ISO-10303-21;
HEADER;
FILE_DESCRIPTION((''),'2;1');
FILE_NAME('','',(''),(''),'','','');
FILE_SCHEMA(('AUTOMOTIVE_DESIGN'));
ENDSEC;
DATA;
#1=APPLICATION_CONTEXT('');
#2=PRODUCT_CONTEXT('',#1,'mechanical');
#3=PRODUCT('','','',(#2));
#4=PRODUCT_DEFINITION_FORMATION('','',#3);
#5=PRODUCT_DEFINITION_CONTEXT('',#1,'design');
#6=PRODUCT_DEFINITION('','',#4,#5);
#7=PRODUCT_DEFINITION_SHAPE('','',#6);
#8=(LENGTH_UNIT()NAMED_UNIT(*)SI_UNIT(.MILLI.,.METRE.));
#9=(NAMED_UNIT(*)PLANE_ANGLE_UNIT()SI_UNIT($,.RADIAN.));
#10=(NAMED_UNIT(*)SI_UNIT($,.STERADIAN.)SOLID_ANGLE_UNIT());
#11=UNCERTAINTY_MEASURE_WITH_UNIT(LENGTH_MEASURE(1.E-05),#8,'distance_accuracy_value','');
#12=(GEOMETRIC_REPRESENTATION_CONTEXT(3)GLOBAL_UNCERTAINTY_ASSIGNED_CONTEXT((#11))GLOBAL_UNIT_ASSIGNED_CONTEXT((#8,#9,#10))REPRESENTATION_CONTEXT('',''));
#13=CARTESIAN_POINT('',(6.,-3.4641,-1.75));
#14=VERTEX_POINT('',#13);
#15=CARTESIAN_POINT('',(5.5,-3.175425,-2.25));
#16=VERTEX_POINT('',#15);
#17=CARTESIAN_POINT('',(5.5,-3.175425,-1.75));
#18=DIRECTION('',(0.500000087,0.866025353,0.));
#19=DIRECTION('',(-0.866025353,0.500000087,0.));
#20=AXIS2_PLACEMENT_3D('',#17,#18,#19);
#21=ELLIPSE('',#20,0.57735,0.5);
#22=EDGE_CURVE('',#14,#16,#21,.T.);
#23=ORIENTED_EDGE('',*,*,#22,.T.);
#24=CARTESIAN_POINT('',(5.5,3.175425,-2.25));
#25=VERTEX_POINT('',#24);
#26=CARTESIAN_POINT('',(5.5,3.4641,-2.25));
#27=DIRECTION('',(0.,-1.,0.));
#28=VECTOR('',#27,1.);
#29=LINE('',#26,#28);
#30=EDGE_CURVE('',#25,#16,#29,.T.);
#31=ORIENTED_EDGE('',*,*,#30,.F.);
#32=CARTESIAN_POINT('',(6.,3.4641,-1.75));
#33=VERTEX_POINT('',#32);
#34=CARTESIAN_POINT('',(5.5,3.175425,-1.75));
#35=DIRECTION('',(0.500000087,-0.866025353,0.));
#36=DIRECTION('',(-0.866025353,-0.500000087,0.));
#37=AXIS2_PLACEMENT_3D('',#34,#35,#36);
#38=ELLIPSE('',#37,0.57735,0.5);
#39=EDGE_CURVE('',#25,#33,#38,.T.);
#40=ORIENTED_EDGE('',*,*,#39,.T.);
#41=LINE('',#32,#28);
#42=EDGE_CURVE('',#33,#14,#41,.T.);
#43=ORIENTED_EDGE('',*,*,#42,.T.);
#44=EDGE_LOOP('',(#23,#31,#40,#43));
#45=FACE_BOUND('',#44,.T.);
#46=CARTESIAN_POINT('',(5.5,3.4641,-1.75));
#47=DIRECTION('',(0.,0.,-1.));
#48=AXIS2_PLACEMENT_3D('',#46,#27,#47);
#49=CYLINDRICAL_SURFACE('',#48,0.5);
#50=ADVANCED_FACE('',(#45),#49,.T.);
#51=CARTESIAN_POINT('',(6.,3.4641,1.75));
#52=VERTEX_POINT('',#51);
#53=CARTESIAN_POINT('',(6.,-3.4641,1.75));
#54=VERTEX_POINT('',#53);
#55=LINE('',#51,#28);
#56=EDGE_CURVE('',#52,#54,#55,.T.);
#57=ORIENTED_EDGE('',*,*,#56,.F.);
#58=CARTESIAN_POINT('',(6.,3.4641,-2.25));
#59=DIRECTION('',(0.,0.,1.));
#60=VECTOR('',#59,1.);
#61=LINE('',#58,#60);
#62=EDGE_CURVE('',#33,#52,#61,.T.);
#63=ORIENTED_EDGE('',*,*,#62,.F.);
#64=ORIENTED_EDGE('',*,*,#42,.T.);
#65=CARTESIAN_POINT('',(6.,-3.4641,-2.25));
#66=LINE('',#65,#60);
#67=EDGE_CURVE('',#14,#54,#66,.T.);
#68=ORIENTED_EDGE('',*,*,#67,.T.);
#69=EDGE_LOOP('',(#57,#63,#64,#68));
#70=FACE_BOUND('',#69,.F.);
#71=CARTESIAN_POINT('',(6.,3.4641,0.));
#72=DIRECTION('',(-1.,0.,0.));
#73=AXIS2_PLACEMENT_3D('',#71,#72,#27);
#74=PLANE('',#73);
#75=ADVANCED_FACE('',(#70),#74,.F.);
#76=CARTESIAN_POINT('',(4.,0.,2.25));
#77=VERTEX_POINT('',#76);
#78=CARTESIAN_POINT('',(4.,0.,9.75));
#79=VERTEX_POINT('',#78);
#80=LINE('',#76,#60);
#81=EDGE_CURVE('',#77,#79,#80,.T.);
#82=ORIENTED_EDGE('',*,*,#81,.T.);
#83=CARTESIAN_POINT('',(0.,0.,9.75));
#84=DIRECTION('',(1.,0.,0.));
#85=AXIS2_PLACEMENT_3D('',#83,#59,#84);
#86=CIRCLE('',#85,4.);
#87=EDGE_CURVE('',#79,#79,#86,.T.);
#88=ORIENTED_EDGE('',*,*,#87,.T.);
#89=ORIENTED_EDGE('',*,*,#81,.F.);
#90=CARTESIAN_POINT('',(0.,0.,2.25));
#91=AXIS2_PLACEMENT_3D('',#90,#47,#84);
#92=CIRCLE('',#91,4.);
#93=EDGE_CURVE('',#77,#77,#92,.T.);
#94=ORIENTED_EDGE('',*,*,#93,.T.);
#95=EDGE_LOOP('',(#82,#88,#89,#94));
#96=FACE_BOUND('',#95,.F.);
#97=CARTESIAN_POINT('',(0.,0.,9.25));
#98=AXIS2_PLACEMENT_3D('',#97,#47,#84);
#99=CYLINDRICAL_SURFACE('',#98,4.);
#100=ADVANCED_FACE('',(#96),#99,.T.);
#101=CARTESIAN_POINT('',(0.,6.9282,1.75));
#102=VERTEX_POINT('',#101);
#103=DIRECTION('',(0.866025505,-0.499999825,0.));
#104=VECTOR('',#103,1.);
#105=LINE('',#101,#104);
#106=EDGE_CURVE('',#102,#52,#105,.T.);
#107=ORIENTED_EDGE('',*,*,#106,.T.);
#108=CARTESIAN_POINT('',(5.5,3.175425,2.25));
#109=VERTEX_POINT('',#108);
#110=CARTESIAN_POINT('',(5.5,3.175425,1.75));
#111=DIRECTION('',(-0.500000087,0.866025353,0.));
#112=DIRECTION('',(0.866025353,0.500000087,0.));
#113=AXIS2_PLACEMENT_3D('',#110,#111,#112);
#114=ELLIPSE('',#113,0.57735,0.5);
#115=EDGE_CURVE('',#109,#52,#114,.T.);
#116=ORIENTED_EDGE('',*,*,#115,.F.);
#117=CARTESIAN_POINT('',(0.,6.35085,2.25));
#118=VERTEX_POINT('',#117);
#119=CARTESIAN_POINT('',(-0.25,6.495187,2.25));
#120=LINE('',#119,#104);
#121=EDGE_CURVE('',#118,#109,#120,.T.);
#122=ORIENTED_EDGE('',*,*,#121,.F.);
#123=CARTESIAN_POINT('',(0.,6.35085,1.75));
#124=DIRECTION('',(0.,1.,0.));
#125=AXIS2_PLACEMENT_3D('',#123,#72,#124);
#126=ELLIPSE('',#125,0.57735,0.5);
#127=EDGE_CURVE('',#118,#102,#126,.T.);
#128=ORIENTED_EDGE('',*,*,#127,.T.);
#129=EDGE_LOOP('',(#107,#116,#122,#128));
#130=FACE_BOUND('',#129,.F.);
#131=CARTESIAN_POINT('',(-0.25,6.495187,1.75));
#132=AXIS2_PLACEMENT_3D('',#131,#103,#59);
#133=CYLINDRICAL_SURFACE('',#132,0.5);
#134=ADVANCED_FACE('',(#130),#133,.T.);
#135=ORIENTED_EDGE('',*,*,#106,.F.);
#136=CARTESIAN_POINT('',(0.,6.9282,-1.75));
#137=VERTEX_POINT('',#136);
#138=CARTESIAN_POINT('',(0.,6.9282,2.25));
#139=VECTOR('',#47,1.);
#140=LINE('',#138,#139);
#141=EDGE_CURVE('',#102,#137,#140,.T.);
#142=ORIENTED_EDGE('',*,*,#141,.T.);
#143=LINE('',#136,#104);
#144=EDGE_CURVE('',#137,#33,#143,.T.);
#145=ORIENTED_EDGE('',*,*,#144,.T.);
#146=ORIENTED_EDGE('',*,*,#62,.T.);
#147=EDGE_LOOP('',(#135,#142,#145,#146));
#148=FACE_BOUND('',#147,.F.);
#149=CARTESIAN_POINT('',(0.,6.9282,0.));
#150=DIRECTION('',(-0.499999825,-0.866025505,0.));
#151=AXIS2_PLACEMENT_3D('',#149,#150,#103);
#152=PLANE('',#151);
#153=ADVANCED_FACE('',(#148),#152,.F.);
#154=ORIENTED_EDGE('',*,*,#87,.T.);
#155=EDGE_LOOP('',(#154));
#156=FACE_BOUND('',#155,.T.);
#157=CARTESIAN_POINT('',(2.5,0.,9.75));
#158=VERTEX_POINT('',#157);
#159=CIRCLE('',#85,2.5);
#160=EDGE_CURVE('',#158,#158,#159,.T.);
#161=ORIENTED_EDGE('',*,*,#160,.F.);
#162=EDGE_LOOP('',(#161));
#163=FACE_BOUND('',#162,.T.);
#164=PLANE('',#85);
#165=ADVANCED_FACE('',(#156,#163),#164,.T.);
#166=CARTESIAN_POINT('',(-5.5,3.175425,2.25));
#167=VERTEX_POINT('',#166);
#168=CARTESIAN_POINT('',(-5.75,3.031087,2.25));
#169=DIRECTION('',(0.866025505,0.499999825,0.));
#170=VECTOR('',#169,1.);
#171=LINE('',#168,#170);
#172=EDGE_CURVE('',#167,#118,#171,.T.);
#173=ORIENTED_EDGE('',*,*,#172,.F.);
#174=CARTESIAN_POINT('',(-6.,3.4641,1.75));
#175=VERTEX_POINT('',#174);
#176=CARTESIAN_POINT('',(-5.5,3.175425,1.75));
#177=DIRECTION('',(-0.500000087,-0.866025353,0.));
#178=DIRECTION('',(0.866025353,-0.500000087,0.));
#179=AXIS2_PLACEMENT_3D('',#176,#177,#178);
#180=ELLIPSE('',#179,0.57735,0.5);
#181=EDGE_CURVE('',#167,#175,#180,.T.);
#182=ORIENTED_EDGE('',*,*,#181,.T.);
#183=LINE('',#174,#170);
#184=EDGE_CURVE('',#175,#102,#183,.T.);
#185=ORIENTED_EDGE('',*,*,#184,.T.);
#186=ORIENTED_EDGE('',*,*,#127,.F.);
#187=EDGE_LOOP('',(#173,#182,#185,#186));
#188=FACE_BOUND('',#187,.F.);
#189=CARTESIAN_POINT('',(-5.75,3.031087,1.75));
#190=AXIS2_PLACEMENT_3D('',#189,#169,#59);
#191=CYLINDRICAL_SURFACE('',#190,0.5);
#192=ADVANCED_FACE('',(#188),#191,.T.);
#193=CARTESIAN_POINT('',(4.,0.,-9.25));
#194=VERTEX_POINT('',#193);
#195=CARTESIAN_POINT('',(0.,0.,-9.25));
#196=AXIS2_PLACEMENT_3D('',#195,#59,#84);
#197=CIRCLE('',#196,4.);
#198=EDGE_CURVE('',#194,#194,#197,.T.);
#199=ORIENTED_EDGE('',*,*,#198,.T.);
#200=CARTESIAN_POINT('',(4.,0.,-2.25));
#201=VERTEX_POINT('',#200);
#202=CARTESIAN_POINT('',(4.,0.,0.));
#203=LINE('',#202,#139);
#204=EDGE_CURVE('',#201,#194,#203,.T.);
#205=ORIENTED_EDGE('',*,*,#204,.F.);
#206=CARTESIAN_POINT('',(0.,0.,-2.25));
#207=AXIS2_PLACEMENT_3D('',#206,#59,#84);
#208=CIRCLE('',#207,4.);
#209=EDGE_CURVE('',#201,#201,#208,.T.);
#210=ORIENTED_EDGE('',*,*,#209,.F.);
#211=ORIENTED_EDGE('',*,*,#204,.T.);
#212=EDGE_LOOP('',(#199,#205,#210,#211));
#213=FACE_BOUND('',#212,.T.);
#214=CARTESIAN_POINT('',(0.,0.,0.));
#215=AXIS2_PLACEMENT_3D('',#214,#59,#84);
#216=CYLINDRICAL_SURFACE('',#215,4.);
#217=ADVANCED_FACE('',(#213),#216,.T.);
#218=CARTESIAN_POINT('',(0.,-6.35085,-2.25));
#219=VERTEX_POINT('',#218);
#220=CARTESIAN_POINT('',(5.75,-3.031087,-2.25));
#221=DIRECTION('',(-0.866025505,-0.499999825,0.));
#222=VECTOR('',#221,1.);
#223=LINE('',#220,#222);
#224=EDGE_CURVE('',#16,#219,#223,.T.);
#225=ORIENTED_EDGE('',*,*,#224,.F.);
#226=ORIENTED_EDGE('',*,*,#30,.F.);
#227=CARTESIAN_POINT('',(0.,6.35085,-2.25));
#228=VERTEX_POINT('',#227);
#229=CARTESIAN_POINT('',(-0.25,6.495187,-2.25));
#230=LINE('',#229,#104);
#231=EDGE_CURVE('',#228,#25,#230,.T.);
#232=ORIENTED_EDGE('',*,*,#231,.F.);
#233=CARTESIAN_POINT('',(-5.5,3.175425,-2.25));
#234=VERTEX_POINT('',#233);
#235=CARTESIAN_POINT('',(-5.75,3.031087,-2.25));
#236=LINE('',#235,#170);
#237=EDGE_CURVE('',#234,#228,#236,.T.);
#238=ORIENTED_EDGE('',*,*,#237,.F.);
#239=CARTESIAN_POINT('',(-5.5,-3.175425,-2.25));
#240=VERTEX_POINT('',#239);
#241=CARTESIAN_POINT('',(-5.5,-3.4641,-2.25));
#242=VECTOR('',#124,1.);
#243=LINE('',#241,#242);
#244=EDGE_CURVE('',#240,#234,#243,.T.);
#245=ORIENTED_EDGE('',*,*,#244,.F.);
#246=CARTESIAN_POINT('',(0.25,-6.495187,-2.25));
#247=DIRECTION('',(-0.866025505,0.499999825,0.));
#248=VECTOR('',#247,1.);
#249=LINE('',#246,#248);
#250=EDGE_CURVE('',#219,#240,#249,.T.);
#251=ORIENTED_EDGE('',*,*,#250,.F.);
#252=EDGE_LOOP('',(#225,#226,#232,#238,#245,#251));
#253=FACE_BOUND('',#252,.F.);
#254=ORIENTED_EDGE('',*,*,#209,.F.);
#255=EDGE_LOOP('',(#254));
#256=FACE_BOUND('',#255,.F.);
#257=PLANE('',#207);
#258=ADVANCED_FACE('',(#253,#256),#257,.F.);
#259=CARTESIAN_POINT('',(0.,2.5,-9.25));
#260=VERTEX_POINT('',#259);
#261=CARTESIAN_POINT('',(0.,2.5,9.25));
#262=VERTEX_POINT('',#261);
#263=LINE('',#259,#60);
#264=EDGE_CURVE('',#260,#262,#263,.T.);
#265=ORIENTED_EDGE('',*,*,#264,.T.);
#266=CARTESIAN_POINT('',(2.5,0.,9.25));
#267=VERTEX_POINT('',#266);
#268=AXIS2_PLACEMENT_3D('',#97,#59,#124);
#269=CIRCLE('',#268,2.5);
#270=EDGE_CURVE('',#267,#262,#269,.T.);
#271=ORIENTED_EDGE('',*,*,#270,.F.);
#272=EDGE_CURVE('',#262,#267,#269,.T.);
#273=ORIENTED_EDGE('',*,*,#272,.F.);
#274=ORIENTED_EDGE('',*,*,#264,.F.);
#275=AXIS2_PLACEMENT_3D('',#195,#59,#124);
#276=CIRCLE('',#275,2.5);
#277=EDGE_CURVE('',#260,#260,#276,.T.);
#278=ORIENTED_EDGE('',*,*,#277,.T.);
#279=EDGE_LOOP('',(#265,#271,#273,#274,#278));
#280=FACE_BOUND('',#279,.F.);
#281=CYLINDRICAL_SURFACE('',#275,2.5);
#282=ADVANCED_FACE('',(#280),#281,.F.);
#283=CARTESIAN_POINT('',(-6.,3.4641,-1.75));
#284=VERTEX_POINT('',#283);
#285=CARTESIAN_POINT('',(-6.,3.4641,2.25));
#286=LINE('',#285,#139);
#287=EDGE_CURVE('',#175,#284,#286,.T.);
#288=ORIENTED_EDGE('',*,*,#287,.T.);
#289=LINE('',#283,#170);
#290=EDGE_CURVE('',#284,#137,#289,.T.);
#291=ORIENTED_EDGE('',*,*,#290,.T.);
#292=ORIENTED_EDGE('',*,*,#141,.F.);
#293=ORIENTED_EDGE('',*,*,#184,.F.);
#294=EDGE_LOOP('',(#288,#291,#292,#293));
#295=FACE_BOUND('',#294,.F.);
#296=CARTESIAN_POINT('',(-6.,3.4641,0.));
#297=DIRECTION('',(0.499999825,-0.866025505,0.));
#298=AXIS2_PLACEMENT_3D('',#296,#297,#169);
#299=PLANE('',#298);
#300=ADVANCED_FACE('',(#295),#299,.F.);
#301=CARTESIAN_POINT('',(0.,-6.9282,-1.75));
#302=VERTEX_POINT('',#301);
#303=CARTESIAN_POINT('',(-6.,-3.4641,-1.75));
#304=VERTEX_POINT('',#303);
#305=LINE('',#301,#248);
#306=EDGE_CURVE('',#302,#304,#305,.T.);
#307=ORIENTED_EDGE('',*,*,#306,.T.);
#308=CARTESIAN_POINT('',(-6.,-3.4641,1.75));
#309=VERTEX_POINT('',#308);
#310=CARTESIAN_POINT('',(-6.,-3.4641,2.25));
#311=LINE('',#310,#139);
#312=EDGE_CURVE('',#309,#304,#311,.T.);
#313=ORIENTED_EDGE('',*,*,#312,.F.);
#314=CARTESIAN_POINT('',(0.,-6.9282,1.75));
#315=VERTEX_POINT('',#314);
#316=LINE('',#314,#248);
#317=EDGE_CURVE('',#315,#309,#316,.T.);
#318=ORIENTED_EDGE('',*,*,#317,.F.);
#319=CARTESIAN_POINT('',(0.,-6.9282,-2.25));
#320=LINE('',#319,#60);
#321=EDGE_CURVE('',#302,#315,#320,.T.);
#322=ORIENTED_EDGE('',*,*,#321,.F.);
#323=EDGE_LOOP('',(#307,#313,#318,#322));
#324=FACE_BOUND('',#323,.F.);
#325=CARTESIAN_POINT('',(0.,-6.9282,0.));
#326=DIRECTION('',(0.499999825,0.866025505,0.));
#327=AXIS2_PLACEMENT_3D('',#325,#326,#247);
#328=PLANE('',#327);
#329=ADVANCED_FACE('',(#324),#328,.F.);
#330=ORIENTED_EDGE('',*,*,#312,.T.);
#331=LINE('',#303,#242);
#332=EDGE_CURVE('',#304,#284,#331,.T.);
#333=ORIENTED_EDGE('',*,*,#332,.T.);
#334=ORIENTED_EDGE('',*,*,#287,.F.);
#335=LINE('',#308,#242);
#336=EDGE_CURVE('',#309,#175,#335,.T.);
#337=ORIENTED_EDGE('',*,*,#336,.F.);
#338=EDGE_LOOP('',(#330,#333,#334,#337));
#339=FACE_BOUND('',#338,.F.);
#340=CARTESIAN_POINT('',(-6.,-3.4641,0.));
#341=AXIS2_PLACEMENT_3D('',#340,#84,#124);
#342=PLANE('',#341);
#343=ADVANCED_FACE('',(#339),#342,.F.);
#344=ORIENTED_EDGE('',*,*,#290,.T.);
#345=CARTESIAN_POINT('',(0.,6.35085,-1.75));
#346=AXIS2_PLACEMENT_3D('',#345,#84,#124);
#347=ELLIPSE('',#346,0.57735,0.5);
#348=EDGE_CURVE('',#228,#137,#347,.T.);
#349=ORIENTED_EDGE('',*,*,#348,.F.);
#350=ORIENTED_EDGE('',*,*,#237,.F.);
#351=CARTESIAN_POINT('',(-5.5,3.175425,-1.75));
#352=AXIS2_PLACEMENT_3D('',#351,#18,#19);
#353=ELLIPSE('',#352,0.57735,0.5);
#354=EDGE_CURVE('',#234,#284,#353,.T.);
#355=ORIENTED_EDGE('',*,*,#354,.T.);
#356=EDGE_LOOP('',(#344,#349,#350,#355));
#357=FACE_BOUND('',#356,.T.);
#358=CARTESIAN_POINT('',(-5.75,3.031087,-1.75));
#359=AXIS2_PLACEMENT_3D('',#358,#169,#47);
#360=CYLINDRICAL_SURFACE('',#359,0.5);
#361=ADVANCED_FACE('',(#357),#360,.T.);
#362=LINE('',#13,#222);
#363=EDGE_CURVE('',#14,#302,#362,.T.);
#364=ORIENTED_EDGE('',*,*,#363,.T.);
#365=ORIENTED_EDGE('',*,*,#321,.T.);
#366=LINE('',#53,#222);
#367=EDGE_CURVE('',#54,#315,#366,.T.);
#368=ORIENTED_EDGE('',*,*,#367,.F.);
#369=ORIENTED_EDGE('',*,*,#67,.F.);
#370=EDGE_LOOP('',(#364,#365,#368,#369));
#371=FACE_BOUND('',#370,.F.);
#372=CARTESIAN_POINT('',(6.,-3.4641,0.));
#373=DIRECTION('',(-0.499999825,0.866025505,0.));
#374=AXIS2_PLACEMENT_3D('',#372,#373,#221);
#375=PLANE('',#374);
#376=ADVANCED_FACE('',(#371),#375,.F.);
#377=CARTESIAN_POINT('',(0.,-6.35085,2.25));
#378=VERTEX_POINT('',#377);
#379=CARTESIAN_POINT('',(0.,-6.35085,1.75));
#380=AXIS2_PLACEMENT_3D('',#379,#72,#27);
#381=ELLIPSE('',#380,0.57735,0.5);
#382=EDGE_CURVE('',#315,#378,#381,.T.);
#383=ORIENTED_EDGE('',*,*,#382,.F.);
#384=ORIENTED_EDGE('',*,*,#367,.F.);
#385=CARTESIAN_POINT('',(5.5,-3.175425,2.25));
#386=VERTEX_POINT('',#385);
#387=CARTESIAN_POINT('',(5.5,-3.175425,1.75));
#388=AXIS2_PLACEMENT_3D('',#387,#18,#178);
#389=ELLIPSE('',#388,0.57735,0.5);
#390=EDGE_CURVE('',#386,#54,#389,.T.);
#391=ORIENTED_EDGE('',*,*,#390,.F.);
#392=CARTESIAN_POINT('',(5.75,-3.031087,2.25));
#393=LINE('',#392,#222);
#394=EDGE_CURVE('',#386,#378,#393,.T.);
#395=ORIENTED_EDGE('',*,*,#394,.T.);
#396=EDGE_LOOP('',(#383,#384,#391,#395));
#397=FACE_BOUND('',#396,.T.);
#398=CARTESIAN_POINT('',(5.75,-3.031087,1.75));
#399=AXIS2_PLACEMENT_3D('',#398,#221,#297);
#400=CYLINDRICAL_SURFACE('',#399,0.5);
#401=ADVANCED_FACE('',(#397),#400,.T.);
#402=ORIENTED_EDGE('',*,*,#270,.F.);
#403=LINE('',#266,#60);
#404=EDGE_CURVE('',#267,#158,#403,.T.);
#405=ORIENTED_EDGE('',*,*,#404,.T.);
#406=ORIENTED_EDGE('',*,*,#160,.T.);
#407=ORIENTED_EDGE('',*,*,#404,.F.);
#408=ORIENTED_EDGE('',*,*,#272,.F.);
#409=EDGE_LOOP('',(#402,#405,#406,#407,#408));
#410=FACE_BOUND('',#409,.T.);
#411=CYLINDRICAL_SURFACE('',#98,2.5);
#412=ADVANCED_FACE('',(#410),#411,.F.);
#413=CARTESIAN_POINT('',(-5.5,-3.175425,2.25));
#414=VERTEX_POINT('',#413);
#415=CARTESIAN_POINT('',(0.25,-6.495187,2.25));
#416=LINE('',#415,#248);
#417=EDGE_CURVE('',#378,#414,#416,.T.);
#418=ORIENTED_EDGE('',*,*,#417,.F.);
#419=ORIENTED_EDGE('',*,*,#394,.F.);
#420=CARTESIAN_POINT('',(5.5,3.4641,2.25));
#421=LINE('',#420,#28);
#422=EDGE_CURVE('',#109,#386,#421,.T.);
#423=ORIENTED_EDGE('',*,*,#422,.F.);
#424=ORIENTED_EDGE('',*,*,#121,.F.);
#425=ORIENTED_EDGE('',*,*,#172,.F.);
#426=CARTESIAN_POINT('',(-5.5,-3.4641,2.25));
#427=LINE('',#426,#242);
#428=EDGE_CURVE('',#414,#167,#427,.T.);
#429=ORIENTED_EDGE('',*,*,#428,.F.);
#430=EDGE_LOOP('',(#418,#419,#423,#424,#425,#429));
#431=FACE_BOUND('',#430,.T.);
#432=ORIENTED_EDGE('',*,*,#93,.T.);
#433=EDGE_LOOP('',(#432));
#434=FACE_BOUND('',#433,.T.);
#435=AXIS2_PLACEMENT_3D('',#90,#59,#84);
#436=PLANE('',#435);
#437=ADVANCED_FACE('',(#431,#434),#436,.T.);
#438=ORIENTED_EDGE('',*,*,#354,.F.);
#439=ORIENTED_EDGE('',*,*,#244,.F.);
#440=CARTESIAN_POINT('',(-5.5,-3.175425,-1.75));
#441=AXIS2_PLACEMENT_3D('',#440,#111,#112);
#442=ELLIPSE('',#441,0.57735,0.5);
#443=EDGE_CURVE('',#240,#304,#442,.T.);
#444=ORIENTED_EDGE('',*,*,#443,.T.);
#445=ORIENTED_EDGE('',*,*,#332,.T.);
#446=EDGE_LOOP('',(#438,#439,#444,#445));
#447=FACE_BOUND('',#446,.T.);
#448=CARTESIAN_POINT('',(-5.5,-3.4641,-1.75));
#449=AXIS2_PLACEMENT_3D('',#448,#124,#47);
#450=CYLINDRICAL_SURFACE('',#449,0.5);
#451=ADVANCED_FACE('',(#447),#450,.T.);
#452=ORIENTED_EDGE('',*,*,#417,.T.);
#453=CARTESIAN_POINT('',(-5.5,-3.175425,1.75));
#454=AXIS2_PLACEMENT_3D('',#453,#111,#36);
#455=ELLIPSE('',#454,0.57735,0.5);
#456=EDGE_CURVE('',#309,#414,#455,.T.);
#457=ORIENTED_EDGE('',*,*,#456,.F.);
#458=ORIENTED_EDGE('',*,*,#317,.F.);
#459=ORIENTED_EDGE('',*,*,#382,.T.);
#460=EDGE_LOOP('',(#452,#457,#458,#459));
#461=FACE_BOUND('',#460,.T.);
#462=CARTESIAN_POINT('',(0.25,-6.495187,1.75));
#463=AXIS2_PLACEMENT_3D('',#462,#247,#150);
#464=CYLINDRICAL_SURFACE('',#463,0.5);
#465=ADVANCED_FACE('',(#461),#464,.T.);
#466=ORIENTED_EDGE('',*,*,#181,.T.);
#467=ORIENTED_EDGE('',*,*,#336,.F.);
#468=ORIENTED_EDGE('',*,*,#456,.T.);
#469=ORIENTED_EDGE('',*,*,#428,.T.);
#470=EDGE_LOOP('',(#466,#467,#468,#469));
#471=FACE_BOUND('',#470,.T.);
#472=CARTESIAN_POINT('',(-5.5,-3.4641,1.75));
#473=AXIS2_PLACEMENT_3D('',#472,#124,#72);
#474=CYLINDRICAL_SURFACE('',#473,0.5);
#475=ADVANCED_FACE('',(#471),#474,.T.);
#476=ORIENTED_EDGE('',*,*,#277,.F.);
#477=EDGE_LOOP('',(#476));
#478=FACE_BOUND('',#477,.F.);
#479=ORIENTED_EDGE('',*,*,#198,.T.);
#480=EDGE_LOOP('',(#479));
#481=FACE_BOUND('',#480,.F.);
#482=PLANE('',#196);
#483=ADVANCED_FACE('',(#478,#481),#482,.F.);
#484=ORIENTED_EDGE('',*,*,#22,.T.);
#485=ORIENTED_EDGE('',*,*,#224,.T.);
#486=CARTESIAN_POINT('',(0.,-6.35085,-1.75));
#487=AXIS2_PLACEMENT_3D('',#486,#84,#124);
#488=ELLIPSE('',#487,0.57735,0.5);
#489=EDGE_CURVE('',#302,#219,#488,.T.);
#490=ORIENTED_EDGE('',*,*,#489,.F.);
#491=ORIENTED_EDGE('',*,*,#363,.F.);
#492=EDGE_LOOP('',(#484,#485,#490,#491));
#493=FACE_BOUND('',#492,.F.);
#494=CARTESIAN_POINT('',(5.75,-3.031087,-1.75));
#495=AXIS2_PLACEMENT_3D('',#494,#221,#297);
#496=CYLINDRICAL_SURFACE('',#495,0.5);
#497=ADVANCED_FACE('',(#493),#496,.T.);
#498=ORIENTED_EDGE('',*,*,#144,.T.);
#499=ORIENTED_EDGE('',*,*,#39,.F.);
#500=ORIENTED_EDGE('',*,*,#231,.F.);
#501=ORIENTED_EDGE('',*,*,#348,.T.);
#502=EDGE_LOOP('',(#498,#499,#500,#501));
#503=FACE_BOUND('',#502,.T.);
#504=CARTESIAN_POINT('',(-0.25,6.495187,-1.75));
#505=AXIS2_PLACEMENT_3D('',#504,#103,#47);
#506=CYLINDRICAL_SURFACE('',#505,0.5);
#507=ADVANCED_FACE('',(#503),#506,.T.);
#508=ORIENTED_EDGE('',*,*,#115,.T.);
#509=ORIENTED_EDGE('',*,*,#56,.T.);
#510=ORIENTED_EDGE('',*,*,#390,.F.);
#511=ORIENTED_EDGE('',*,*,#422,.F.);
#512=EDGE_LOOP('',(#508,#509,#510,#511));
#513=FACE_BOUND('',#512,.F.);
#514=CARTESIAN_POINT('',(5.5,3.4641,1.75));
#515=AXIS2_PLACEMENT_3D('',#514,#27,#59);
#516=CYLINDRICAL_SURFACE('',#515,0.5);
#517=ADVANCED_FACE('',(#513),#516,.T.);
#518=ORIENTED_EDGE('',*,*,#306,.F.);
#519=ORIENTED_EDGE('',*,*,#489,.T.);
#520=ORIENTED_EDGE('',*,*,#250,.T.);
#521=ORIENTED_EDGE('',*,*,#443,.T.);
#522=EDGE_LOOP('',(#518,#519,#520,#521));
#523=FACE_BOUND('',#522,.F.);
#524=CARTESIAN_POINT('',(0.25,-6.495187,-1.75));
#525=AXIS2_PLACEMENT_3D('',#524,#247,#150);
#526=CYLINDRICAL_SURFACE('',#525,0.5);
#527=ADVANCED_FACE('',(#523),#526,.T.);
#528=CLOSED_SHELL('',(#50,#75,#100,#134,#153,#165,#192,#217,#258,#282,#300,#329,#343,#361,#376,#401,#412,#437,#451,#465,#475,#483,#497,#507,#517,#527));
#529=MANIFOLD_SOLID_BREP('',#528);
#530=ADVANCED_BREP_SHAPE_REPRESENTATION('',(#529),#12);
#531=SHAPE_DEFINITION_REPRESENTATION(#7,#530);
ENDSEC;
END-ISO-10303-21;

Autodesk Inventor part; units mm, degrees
ref_plane "YZ Plane" through (0, 0, 0) normal (1, 0, 0) x (0, 1, 0)
ref_plane "XZ Plane" through (0, 0, 0) normal (0, 1, 0) x (-1, 0, 0)
ref_plane "XY Plane" through (0, 0, 0) normal (0, 0, 1) x (1, 0, 0)
sketch "Sketch1" plane through (0, 0, 0) normal (0, 0, 1) x (1, 0, 0)
  line L0 (0, -6.9282) -> (-6, -3.4641)
  line L1 (-6, -3.4641) -> (-6, 3.4641)
  line L2 (-6, 3.4641) -> (0, 6.9282)
  line L3 (0, 6.9282) -> (6, 3.4641)
  line L4 (6, 3.4641) -> (6, -3.4641)
  line L5 (6, -3.4641) -> (0, -6.9282)
  circle A0 centre (0, 0) radius 4
  dimension "d0" = 12
  dimension "d1" = 8
extrude "Extrusion1" add sketch "Sketch1" along normal mid plane 4.5 contours L0 L1 L2 L3 L4 L5 | A0
extrude "Extrusion2" add sketch "Sketch1" along normal mid plane 18.5 contours A0
thread "Thread1" size "M8x1.25" class "6g" standard "ANSI Metric M Profile" full length
sketch "Sketch2" plane through (0, 0, -9.25) normal (0, 0, -1) x (-1, 0, 0)
  point P0 (0, 0)
hole "Hole1" at (0, 0, -9.25) direction (0, 0, 1) diameter 5 end through all
fillet "Fillet1" radius 0.5 12 edges at (-6, 0, -2.25) (-3, -5.1962, -2.25) (3, -5.1962, -2.25) (-3, 5.1962, -2.25) (6, 0, -2.25) (3, 5.1962, -2.25) (-3, 5.1962, 2.25) (3, 5.1962, 2.25) (6, 0, 2.25) (3, -5.1962, 2.25) (-3, -5.1962, 2.25) (-6, 0, 2.25)
sketch "Sketch3" plane through (0, 0, 9.25) normal (0, 0, 1) x (1, 0, 0)
  circle A0 centre (0, 0) radius 4
  circle A1 centre (0, 0) radius 2.5
  dimension "d16" = 8
  dimension "d17" = 5
extrude "Extrusion3" add sketch "Sketch3" along normal blind 0.5
thread "Thread2" size "M8x1.25" class "6g" standard "ANSI Metric M Profile" full length
properties part number "HUDSON-1-82"
